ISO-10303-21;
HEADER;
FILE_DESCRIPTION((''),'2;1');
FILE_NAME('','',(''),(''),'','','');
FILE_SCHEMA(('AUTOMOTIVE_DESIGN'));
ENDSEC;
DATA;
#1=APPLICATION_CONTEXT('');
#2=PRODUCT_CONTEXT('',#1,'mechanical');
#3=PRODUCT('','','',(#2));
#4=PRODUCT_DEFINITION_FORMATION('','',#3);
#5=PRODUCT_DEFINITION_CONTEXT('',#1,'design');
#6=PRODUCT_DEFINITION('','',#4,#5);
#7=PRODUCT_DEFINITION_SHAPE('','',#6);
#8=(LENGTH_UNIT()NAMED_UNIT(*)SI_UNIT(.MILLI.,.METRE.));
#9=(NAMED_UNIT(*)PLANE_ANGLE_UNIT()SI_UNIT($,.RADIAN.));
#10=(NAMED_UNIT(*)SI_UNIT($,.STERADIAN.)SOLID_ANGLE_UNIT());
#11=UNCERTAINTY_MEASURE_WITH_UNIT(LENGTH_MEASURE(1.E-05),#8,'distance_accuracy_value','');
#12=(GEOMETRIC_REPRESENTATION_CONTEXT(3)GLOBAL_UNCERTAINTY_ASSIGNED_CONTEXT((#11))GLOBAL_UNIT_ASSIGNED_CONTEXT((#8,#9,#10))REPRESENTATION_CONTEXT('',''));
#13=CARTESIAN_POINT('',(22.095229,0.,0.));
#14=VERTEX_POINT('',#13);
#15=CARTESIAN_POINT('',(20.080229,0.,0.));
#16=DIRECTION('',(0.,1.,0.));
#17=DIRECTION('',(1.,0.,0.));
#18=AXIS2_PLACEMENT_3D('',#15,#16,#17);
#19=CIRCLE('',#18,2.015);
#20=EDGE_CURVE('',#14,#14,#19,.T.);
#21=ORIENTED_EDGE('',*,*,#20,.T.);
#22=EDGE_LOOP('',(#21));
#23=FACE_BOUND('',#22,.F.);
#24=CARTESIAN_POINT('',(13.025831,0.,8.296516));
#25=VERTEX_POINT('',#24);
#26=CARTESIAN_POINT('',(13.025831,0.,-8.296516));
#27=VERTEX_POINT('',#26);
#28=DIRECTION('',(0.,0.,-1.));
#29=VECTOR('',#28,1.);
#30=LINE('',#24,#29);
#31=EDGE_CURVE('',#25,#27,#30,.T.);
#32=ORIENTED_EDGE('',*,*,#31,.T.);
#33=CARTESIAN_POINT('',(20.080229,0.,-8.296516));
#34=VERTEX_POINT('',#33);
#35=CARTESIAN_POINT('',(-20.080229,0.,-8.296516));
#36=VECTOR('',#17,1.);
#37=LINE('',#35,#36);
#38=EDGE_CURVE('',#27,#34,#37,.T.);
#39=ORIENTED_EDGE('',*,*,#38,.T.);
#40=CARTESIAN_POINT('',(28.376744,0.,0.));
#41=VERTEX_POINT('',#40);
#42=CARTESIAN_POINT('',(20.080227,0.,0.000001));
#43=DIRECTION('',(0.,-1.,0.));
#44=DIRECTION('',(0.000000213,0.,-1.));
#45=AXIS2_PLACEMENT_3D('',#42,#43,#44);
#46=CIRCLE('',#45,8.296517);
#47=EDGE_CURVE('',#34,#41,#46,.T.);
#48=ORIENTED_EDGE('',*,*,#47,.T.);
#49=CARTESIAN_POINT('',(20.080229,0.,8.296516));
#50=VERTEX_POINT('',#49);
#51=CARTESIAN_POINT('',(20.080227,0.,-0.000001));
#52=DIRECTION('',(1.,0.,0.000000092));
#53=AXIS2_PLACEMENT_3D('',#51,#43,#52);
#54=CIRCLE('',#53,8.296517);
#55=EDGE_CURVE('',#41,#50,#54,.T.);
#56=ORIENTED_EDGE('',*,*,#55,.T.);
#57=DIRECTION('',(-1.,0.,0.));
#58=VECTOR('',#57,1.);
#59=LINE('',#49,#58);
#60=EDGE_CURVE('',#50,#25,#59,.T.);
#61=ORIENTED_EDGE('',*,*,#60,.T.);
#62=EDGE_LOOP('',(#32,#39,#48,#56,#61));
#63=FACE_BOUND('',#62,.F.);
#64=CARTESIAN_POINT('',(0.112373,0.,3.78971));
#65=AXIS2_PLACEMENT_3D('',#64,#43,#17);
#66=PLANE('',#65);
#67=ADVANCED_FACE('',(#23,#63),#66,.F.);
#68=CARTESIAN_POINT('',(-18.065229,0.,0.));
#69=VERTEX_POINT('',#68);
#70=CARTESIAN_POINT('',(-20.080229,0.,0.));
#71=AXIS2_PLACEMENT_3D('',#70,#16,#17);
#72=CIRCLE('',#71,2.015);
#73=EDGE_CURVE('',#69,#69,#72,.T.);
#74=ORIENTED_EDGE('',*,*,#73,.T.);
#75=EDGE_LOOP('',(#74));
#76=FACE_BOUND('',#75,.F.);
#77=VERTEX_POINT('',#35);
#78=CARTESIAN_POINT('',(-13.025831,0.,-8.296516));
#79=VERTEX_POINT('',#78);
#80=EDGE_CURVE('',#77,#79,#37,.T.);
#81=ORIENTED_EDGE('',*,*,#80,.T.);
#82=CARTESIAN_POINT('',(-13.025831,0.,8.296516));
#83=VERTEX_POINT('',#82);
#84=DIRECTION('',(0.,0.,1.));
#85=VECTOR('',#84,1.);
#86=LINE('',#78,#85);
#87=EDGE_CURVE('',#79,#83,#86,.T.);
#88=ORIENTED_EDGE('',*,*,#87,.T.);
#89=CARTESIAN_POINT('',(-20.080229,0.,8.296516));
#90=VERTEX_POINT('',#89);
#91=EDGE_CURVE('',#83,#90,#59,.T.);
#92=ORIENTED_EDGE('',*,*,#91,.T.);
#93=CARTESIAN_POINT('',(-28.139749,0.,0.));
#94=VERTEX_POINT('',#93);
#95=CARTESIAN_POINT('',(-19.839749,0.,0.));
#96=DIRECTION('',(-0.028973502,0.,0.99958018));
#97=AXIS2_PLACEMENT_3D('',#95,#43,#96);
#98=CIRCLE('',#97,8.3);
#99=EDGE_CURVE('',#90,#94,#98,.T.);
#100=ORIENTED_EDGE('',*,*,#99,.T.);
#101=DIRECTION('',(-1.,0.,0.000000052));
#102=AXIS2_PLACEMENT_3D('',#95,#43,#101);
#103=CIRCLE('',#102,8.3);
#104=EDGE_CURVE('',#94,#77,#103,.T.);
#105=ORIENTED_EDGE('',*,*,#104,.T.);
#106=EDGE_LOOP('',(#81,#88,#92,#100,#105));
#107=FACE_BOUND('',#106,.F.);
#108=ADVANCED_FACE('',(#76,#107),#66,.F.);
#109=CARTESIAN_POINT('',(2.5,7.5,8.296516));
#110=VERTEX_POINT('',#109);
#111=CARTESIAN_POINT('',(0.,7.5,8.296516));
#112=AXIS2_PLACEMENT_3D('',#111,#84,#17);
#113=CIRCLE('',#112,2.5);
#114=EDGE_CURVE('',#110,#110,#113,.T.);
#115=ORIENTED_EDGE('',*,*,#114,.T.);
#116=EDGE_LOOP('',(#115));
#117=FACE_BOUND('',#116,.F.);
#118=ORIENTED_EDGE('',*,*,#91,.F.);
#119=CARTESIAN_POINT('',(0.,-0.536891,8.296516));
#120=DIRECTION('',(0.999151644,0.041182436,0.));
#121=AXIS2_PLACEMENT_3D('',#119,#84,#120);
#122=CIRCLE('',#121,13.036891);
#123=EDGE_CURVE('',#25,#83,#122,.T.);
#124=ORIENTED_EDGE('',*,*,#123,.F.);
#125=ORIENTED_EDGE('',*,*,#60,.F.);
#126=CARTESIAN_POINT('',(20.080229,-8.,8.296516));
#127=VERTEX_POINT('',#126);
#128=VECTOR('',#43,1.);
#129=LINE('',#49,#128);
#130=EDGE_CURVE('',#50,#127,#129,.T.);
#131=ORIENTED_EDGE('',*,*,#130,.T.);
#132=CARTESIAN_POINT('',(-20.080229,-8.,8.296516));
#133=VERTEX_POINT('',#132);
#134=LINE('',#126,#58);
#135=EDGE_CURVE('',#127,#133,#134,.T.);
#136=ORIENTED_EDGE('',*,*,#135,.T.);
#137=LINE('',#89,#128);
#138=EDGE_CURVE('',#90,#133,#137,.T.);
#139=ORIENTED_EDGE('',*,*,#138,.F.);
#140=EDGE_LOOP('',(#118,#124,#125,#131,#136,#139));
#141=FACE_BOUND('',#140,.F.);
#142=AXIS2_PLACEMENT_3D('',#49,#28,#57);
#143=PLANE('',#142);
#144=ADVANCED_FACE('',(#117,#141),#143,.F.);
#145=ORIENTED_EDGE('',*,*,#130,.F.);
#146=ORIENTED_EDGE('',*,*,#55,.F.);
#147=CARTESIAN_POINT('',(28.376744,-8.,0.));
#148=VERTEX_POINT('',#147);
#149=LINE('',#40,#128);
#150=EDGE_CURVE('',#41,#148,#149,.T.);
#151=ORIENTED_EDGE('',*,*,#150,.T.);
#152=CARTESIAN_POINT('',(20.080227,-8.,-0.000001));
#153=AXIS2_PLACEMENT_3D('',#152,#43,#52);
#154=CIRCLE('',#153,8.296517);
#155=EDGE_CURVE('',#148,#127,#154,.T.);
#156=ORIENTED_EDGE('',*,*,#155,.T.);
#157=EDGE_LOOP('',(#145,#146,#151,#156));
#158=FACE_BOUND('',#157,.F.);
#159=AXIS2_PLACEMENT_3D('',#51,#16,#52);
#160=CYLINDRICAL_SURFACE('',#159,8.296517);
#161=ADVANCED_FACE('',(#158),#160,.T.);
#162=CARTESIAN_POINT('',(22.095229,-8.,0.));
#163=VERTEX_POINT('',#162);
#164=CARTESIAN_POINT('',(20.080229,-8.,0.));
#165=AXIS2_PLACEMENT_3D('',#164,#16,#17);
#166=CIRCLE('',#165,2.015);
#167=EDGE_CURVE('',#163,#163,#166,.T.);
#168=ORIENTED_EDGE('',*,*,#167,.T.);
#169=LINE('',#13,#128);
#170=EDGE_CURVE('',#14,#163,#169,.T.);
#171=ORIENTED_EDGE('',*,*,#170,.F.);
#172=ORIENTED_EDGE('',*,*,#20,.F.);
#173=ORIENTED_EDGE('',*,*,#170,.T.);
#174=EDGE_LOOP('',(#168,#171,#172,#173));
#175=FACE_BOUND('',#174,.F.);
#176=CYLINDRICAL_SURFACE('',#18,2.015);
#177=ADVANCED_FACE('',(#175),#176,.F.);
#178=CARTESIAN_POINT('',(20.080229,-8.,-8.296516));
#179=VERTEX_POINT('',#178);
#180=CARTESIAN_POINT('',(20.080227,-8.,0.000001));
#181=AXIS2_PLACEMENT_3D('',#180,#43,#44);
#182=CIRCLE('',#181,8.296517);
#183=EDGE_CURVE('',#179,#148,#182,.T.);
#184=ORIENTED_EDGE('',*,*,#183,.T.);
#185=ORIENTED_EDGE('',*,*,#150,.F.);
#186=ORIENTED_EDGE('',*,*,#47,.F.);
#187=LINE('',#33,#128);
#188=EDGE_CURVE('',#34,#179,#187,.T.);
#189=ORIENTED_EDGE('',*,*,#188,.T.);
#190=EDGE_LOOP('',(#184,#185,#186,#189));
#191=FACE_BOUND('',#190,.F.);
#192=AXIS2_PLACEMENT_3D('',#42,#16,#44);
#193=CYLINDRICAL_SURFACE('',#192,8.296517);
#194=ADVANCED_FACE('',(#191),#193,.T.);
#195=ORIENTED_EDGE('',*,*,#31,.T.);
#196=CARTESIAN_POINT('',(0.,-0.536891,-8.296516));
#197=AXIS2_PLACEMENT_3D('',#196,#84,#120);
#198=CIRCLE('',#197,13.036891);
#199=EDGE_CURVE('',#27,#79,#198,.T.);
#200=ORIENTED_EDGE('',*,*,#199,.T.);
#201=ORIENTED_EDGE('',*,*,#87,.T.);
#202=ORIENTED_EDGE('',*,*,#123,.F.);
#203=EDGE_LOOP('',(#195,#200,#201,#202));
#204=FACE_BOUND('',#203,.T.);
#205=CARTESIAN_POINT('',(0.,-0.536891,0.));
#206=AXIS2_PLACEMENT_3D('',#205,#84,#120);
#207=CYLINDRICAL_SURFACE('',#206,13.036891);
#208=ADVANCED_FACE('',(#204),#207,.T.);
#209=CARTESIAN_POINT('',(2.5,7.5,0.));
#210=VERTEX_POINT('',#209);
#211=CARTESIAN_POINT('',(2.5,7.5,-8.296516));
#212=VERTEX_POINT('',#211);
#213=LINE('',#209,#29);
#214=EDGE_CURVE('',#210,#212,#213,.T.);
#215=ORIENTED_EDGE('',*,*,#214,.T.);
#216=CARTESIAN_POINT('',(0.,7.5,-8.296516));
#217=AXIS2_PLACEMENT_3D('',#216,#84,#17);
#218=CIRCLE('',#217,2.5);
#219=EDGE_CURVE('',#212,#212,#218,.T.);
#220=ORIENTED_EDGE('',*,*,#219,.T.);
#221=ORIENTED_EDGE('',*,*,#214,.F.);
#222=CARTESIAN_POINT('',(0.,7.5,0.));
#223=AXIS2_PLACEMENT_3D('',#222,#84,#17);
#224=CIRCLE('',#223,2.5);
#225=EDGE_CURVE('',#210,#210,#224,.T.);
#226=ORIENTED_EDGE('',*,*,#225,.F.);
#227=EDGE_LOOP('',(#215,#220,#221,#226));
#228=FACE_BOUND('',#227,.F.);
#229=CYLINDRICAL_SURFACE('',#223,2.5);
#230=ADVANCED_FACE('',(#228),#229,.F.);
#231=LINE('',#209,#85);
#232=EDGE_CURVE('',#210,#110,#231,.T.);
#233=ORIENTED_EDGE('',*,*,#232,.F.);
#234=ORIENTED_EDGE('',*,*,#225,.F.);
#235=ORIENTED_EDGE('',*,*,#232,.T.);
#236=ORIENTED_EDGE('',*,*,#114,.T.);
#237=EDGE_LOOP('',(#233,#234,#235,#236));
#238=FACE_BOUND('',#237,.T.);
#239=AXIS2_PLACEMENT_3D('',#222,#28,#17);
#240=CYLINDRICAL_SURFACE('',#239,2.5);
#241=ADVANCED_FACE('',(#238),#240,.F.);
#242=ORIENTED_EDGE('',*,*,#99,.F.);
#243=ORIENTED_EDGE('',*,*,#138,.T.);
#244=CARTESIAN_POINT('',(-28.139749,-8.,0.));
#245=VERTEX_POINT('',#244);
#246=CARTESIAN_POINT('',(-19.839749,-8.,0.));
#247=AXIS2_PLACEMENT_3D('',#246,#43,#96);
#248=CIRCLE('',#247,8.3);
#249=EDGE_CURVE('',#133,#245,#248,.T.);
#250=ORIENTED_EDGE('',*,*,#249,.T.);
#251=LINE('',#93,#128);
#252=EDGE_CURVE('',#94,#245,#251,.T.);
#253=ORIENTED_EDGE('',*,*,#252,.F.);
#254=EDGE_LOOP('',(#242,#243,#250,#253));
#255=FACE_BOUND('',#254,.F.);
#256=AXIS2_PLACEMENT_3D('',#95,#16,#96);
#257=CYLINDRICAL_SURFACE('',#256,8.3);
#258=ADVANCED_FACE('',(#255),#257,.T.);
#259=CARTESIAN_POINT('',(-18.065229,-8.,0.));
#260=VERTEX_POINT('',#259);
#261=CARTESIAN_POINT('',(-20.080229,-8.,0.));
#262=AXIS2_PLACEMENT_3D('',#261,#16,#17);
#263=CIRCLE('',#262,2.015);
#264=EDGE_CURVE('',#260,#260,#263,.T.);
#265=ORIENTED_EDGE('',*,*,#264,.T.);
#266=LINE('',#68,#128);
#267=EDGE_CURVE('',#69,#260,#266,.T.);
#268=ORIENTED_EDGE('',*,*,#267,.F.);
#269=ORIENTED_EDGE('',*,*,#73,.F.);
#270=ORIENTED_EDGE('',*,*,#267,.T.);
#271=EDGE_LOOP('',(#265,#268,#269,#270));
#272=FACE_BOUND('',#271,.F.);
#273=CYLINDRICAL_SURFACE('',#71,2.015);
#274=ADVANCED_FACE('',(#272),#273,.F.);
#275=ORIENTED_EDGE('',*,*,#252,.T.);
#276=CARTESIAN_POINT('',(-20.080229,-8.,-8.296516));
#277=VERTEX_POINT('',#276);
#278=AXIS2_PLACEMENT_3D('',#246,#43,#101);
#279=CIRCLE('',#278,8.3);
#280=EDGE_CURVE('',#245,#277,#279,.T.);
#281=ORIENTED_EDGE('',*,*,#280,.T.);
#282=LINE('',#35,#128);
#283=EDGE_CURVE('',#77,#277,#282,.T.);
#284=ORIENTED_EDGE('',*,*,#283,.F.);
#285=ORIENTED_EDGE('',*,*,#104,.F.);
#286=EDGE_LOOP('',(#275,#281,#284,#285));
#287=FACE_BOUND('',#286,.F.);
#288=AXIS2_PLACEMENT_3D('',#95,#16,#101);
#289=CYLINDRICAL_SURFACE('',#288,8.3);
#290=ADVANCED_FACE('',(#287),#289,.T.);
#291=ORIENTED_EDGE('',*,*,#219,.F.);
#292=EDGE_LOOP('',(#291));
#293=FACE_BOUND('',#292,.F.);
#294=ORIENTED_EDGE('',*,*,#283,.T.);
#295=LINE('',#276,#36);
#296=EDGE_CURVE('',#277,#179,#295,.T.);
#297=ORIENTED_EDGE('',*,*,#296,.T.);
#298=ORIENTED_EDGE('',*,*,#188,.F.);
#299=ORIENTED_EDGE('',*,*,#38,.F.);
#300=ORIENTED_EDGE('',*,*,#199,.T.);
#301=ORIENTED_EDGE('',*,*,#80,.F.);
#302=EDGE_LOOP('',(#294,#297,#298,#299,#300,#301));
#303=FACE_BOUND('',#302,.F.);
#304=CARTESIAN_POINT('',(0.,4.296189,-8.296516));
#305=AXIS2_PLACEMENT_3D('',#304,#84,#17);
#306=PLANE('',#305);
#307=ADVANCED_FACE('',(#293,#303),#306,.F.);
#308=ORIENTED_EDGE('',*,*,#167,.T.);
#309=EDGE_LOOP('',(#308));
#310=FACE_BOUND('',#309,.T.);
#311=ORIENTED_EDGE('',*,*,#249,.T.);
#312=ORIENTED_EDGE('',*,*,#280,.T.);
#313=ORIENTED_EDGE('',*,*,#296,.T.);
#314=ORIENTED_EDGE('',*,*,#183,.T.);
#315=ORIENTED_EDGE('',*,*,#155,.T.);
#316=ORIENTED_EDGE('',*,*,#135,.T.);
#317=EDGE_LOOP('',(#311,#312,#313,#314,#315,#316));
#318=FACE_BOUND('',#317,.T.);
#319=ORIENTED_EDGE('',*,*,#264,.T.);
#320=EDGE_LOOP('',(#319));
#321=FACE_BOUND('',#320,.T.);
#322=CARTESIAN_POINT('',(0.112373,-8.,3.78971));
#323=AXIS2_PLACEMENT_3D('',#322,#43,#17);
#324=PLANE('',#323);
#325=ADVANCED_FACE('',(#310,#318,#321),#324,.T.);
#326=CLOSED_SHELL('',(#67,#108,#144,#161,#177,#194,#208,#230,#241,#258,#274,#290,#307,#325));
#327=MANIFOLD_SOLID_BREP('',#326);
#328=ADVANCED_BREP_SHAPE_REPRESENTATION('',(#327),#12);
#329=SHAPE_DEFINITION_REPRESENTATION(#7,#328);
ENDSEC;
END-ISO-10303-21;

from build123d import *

# Parameters (mm, degrees)
F1_DEPTH      = 8
F2_R          = 2.5
F3_DEPTH      = 8.296516
F3_DEPTH_BACK = 8.296516


with BuildPart() as f1:
    # F0 (on Front) → F1 (new body)
    with BuildSketch(Plane.XZ):
        with BuildLine():
            Line((20.080229, 8.296516), (-20.080229, 8.296516))
            ThreePointArc((-20.080229, 8.296516), (-25.793151, 5.783339), (-28.139749, 0))
            Line((-28.139749, 0), (-22.095229, 0))
            ThreePointArc((-22.095229, 0), (-20.080229, 2.015), (-18.065229, 0))
            Line((-18.065229, 0), (18.065229, 0))
            ThreePointArc((18.065229, 0), (20.080229, 2.015), (22.095229, 0))
            Line((22.095229, 0), (28.376744, 0))
            ThreePointArc((28.376744, 0), (25.946751, 5.866522), (20.080229, 8.296516))
        make_face()
        with BuildLine():
            Line((-22.095229, 0), (-28.139749, 0))
            ThreePointArc((-28.139749, 0), (-25.793151, -5.783339), (-20.080229, -8.296516))
            Line((-20.080229, -8.296516), (20.080229, -8.296516))
            ThreePointArc((20.080229, -8.296516), (25.946751, -5.866522), (28.376744, 0))
            Line((28.376744, 0), (22.095229, 0))
            ThreePointArc((22.095229, 0), (20.080229, -2.015), (18.065229, 0))
            Line((18.065229, 0), (-18.065229, 0))
            ThreePointArc((-18.065229, 0), (-20.080229, -2.015), (-22.095229, 0))
        make_face()
    extrude(amount=F1_DEPTH)

    # F2 (on Top) → F3 (join, two sides)
    with BuildSketch(Plane.XY) as f3_sk:
        with BuildLine():
            Line((-13.025831, 0), (13.025831, 0))
            ThreePointArc((13.025831, 0), (0, 12.5), (-13.025831, 0))
        make_face()
        with Locations((0, 7.5)):
            Circle(F2_R, mode=Mode.SUBTRACT)
    extrude(amount=F3_DEPTH)
    extrude(f3_sk.sketch, amount=-F3_DEPTH_BACK)


solid = f1.part
